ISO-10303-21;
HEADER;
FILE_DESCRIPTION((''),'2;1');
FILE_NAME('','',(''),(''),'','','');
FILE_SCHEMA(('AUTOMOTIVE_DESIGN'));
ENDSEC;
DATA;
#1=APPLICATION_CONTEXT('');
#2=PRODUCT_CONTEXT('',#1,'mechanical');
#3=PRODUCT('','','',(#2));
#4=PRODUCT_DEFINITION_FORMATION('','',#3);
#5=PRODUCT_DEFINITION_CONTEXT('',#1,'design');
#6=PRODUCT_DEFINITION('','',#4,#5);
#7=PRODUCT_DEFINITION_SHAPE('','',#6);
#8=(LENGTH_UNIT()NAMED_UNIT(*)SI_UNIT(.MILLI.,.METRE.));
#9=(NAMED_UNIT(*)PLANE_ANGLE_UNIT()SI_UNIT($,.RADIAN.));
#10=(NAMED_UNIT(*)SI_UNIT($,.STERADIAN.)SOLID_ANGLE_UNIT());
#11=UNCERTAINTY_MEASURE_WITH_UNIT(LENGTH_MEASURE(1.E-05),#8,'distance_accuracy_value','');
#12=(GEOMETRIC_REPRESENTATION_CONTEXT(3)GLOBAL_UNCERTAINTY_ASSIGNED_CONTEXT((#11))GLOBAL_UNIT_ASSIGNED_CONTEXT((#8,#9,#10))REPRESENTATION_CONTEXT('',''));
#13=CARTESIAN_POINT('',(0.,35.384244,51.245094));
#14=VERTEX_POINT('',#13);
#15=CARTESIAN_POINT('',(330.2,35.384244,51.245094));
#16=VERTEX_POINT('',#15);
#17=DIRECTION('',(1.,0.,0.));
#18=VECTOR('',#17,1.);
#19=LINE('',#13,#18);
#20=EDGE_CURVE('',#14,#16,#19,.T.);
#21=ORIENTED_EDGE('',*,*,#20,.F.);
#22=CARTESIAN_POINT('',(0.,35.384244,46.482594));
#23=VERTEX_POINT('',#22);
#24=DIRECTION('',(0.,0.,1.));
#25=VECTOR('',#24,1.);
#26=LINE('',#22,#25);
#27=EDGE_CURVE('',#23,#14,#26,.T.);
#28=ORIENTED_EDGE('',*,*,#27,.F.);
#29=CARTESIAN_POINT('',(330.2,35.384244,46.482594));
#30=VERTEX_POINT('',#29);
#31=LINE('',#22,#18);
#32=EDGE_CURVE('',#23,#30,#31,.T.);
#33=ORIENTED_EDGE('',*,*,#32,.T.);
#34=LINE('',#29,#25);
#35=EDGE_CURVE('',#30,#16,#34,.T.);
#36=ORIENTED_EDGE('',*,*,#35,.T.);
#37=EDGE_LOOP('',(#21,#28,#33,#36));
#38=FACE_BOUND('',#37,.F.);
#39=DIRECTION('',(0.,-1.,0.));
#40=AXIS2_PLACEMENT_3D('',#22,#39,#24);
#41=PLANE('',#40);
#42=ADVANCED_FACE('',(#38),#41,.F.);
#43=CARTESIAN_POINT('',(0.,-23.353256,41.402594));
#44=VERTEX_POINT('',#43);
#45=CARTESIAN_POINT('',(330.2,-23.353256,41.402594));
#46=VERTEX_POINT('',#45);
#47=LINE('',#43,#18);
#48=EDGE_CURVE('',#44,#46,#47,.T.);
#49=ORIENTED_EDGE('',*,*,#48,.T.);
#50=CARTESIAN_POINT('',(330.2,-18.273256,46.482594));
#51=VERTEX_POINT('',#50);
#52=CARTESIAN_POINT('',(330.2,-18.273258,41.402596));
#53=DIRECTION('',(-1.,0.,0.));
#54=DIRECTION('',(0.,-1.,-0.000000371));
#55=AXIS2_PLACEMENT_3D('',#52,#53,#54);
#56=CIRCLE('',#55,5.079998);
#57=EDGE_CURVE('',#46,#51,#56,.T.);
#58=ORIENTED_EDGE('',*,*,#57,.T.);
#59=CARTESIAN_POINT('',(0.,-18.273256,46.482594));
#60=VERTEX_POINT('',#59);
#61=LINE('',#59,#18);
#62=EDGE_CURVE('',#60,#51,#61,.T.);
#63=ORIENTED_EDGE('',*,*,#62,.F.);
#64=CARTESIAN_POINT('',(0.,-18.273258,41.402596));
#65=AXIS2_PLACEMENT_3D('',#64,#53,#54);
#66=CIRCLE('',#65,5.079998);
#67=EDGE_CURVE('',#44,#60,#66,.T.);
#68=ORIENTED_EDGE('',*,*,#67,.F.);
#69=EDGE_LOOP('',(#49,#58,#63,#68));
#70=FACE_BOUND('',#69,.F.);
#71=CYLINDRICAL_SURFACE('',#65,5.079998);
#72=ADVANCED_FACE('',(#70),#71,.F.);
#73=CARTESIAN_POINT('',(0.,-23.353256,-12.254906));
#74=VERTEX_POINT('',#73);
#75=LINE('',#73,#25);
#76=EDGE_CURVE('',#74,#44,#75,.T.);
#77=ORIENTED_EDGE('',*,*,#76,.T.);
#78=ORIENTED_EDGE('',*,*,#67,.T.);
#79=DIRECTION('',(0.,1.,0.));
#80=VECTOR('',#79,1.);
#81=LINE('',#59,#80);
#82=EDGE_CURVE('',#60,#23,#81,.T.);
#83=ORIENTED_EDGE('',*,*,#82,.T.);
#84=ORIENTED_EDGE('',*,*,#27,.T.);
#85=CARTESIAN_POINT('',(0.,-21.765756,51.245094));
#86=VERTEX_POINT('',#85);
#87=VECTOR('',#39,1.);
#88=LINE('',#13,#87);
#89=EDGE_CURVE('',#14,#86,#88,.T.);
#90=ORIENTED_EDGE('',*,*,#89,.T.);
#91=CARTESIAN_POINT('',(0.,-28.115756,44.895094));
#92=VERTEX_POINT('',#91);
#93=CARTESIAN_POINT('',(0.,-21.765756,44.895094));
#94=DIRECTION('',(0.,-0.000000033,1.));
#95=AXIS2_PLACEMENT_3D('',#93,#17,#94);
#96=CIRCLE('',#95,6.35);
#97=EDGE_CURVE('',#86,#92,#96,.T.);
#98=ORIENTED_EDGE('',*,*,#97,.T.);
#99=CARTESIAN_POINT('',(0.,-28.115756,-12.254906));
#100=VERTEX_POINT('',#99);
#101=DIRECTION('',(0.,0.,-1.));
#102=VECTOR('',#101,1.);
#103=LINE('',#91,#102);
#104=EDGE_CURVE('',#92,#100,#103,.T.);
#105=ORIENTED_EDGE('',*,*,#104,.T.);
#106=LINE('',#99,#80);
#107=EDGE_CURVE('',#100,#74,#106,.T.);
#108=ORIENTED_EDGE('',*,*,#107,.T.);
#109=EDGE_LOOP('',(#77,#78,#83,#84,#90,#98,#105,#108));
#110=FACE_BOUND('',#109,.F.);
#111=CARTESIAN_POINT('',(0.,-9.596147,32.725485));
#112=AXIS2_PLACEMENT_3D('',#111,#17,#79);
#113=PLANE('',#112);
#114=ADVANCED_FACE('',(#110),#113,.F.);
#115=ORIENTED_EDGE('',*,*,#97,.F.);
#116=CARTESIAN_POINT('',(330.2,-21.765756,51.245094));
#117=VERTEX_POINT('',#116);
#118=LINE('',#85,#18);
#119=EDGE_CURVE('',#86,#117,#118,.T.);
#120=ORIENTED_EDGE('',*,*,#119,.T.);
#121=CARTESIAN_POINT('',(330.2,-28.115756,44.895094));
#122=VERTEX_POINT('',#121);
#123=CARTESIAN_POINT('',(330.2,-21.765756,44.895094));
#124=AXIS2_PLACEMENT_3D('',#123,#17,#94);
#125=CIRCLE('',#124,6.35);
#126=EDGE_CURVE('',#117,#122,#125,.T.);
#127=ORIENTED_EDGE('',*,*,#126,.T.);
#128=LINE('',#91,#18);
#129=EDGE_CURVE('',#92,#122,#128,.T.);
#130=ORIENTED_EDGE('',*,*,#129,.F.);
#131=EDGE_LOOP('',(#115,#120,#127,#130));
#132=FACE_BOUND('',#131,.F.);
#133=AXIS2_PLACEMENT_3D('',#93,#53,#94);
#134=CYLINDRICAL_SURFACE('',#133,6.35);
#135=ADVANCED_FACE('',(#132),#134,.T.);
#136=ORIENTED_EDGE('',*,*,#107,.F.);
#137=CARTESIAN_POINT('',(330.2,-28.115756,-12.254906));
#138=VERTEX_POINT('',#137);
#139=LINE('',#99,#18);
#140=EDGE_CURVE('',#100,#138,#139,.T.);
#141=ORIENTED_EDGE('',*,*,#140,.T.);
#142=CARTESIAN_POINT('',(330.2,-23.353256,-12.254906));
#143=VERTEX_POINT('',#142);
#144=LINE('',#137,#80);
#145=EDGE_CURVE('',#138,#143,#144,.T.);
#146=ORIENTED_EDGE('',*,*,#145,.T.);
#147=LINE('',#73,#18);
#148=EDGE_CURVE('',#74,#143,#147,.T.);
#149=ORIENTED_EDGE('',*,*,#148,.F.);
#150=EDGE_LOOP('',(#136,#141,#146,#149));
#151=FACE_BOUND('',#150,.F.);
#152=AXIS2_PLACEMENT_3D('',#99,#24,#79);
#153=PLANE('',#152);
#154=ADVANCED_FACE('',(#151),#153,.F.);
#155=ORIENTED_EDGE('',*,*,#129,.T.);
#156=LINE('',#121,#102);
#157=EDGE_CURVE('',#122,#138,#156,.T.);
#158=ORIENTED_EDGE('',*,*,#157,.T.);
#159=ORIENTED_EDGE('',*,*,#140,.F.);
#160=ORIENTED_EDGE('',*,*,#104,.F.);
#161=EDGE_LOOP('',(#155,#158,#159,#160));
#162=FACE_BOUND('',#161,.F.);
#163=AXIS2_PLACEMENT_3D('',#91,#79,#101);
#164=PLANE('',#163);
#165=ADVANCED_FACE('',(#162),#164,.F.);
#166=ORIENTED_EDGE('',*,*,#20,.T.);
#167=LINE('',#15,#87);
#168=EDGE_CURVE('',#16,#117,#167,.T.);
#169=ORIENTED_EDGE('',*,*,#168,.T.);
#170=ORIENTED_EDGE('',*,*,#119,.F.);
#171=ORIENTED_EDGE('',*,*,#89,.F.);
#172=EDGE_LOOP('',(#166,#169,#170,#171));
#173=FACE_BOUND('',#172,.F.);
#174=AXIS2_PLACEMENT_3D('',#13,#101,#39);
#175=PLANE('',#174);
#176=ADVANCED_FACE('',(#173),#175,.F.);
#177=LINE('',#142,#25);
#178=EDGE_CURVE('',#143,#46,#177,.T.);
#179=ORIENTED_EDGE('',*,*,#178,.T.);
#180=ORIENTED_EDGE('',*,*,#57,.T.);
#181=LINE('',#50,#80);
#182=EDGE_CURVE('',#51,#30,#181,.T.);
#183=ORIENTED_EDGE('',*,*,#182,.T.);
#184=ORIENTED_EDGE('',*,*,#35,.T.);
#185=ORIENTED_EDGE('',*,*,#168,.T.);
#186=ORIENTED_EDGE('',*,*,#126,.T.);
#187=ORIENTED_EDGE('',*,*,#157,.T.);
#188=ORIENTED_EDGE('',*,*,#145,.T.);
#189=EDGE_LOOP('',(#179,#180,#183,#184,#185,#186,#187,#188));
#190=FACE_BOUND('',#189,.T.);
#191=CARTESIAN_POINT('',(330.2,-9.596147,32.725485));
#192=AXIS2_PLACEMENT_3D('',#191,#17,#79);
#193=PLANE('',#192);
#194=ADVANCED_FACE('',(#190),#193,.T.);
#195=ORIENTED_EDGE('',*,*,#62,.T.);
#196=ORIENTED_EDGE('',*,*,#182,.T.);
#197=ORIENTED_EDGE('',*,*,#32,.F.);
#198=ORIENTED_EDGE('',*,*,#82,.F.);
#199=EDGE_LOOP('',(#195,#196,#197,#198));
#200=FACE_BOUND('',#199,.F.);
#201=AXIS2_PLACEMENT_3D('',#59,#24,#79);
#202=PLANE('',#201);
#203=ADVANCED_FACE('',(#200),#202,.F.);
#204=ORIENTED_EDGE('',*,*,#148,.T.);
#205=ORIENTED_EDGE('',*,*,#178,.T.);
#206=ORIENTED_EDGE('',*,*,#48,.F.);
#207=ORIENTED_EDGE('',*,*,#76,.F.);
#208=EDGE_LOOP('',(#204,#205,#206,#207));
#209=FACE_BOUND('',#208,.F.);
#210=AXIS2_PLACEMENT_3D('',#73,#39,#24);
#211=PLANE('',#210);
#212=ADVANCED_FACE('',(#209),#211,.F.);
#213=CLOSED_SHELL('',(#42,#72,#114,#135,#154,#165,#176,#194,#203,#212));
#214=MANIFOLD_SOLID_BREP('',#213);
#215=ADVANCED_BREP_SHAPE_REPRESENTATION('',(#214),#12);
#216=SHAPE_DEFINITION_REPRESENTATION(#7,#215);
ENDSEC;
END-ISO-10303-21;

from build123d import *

# Parameters (mm, degrees)
F1_DEPTH = 330.2


with BuildPart() as f1:
    # F0 (on Right) → F1 (new body)
    with BuildSketch(Plane.YZ):
        with BuildLine():
            Line((-28.115756, 44.895094), (-28.115756, -12.254906))
            Line((-28.115756, -12.254906), (-23.353256, -12.254906))
            Line((-23.353256, -12.254906), (-23.353256, 41.402594))
            ThreePointArc((-23.353256, 41.402594), (-21.865359, 44.994697), (-18.273256, 46.482594))
            Line((-18.273256, 46.482594), (35.384244, 46.482594))
            Line((35.384244, 46.482594), (35.384244, 51.245094))
            Line((35.384244, 51.245094), (-21.765756, 51.245094))
            ThreePointArc((-21.765756, 51.245094), (-26.255884, 49.385222), (-28.115756, 44.895094))
        make_face()
    extrude(amount=F1_DEPTH)


solid = f1.part
